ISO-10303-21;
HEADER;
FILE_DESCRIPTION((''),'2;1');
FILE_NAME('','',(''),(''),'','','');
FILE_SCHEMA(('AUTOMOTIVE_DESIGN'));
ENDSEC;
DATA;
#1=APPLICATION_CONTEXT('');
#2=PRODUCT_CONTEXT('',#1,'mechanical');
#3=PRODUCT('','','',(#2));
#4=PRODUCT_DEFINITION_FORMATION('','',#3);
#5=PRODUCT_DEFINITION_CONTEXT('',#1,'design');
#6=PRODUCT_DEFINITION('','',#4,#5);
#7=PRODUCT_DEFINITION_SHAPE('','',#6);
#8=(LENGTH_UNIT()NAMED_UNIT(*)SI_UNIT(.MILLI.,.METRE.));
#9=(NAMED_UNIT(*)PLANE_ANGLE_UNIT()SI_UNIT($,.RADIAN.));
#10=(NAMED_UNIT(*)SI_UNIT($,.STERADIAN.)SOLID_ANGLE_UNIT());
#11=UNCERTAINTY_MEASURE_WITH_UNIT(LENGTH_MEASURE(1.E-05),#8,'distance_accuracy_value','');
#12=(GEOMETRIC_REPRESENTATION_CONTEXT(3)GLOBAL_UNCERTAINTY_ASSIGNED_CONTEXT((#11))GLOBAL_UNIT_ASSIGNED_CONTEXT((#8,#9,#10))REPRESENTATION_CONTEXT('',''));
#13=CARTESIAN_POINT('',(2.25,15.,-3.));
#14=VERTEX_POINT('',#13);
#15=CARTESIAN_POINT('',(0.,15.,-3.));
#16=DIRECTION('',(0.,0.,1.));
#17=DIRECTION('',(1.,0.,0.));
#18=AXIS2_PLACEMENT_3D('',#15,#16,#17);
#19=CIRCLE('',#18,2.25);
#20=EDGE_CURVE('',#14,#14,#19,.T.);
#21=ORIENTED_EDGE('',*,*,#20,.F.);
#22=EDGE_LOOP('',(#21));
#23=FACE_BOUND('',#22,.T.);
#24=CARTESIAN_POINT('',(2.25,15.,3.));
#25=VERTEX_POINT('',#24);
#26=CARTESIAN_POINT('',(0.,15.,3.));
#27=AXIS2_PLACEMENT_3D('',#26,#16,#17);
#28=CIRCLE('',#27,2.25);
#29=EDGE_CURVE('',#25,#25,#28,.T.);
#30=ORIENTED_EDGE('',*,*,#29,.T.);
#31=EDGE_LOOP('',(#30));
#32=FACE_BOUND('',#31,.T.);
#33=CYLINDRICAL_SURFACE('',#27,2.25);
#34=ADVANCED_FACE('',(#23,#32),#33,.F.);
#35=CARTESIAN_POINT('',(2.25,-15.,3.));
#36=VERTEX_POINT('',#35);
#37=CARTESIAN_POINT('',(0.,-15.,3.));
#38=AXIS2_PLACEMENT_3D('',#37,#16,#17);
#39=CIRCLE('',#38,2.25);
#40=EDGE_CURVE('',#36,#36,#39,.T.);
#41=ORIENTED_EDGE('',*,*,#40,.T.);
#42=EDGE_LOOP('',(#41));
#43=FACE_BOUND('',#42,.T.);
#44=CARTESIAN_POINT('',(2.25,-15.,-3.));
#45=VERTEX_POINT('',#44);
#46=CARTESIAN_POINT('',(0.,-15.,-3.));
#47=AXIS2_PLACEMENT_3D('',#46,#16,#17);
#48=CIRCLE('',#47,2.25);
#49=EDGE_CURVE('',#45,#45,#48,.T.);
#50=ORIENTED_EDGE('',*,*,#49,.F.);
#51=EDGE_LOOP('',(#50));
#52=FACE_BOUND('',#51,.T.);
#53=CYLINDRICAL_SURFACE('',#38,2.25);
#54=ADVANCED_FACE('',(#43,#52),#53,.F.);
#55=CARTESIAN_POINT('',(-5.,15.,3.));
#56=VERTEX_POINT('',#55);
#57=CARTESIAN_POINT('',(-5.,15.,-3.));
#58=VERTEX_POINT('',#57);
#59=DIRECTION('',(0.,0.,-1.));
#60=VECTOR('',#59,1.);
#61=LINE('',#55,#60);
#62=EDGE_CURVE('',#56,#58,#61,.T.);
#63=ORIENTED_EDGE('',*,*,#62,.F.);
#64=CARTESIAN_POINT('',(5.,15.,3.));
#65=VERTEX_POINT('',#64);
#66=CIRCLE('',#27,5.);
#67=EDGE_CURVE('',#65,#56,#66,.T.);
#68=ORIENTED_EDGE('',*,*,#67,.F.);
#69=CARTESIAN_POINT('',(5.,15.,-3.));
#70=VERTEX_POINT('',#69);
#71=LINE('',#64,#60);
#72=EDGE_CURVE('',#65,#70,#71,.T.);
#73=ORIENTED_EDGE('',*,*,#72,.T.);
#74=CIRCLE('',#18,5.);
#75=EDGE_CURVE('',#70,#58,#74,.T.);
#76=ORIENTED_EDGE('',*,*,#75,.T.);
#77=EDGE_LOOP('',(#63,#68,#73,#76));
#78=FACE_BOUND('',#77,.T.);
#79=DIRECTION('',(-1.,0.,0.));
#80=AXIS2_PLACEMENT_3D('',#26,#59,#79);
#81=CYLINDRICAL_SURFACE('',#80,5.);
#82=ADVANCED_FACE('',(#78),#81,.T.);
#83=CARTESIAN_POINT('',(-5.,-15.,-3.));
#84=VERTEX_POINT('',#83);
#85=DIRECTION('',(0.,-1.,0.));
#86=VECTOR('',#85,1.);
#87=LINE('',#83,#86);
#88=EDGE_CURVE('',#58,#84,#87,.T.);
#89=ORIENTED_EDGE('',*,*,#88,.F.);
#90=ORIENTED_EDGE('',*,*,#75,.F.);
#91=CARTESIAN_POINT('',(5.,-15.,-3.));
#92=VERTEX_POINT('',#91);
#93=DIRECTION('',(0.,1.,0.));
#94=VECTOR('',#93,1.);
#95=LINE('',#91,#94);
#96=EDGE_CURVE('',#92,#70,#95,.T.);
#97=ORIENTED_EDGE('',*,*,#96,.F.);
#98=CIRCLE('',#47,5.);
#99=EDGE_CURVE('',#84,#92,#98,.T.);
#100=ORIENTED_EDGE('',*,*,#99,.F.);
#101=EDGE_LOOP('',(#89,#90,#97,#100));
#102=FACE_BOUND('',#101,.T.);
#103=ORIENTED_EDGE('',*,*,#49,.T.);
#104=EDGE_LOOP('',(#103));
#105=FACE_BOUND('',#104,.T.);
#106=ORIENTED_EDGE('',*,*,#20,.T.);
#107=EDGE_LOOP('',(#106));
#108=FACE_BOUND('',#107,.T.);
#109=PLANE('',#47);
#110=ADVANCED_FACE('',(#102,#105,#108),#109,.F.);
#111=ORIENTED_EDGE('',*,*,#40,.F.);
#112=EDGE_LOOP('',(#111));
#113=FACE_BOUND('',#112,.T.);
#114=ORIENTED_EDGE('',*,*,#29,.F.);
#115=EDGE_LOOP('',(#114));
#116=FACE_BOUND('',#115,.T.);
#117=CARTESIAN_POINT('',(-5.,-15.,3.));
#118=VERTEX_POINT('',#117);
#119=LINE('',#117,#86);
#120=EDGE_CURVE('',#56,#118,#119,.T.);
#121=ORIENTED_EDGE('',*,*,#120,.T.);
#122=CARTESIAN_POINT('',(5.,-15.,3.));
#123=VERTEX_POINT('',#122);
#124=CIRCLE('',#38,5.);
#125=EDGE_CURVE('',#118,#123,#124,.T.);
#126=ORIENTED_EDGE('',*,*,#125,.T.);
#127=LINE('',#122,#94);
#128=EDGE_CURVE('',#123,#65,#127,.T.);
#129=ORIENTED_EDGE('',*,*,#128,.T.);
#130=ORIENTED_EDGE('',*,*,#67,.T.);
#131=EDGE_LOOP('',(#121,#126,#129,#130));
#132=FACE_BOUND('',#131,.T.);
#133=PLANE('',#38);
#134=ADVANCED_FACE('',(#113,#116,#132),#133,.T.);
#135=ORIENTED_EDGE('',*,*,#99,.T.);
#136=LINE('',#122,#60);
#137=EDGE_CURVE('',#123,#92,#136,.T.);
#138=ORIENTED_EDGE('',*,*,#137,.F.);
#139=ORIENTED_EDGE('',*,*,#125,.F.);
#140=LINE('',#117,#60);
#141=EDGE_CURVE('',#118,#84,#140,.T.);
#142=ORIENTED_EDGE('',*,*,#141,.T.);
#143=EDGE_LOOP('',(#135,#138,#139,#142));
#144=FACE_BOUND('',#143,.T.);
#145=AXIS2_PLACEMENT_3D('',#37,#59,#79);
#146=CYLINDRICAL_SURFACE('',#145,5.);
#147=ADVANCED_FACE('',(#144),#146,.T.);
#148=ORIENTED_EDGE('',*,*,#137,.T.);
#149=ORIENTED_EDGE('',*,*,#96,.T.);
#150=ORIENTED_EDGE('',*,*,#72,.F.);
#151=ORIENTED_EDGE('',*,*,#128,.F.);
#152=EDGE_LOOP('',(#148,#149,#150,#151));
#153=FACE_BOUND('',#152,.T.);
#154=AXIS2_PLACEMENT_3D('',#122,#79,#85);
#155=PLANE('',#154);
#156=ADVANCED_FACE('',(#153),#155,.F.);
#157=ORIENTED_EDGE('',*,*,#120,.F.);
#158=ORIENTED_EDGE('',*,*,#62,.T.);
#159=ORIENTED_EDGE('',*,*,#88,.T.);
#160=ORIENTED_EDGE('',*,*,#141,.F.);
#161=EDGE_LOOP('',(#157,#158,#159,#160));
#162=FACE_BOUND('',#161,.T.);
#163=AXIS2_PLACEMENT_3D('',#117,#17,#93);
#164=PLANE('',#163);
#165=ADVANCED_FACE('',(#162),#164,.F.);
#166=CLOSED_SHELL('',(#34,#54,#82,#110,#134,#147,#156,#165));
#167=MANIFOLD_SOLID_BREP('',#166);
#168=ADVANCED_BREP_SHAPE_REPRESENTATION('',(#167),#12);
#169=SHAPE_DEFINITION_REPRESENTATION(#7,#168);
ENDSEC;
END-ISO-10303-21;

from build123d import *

# Parameters (mm, degrees)
SALIENTE_EXTRUIR1_DEPTH      = 3
TALADRO_DE_MARGEN_PARA_M41_D = 4.5


with BuildPart() as part:
    # Croquis1 → Saliente-Extruir1 (new, symmetric)
    with BuildSketch(Plane.XY):
        with BuildLine():
            Line((-5, -15), (-5, 15))
            ThreePointArc((-5, 15), (0, 20), (5, 15))
            Line((5, 15), (5, -15))
            ThreePointArc((5, -15), (0, -20), (-5, -15))
        make_face()
    extrude(amount=SALIENTE_EXTRUIR1_DEPTH, both=True)

    # Taladro de margen para M41 (through all)
    with Locations(Plane.XY.offset(3)):
        with Locations((0, 15), (0, -15)):
            Hole(TALADRO_DE_MARGEN_PARA_M41_D / 2)


solid = part.part
